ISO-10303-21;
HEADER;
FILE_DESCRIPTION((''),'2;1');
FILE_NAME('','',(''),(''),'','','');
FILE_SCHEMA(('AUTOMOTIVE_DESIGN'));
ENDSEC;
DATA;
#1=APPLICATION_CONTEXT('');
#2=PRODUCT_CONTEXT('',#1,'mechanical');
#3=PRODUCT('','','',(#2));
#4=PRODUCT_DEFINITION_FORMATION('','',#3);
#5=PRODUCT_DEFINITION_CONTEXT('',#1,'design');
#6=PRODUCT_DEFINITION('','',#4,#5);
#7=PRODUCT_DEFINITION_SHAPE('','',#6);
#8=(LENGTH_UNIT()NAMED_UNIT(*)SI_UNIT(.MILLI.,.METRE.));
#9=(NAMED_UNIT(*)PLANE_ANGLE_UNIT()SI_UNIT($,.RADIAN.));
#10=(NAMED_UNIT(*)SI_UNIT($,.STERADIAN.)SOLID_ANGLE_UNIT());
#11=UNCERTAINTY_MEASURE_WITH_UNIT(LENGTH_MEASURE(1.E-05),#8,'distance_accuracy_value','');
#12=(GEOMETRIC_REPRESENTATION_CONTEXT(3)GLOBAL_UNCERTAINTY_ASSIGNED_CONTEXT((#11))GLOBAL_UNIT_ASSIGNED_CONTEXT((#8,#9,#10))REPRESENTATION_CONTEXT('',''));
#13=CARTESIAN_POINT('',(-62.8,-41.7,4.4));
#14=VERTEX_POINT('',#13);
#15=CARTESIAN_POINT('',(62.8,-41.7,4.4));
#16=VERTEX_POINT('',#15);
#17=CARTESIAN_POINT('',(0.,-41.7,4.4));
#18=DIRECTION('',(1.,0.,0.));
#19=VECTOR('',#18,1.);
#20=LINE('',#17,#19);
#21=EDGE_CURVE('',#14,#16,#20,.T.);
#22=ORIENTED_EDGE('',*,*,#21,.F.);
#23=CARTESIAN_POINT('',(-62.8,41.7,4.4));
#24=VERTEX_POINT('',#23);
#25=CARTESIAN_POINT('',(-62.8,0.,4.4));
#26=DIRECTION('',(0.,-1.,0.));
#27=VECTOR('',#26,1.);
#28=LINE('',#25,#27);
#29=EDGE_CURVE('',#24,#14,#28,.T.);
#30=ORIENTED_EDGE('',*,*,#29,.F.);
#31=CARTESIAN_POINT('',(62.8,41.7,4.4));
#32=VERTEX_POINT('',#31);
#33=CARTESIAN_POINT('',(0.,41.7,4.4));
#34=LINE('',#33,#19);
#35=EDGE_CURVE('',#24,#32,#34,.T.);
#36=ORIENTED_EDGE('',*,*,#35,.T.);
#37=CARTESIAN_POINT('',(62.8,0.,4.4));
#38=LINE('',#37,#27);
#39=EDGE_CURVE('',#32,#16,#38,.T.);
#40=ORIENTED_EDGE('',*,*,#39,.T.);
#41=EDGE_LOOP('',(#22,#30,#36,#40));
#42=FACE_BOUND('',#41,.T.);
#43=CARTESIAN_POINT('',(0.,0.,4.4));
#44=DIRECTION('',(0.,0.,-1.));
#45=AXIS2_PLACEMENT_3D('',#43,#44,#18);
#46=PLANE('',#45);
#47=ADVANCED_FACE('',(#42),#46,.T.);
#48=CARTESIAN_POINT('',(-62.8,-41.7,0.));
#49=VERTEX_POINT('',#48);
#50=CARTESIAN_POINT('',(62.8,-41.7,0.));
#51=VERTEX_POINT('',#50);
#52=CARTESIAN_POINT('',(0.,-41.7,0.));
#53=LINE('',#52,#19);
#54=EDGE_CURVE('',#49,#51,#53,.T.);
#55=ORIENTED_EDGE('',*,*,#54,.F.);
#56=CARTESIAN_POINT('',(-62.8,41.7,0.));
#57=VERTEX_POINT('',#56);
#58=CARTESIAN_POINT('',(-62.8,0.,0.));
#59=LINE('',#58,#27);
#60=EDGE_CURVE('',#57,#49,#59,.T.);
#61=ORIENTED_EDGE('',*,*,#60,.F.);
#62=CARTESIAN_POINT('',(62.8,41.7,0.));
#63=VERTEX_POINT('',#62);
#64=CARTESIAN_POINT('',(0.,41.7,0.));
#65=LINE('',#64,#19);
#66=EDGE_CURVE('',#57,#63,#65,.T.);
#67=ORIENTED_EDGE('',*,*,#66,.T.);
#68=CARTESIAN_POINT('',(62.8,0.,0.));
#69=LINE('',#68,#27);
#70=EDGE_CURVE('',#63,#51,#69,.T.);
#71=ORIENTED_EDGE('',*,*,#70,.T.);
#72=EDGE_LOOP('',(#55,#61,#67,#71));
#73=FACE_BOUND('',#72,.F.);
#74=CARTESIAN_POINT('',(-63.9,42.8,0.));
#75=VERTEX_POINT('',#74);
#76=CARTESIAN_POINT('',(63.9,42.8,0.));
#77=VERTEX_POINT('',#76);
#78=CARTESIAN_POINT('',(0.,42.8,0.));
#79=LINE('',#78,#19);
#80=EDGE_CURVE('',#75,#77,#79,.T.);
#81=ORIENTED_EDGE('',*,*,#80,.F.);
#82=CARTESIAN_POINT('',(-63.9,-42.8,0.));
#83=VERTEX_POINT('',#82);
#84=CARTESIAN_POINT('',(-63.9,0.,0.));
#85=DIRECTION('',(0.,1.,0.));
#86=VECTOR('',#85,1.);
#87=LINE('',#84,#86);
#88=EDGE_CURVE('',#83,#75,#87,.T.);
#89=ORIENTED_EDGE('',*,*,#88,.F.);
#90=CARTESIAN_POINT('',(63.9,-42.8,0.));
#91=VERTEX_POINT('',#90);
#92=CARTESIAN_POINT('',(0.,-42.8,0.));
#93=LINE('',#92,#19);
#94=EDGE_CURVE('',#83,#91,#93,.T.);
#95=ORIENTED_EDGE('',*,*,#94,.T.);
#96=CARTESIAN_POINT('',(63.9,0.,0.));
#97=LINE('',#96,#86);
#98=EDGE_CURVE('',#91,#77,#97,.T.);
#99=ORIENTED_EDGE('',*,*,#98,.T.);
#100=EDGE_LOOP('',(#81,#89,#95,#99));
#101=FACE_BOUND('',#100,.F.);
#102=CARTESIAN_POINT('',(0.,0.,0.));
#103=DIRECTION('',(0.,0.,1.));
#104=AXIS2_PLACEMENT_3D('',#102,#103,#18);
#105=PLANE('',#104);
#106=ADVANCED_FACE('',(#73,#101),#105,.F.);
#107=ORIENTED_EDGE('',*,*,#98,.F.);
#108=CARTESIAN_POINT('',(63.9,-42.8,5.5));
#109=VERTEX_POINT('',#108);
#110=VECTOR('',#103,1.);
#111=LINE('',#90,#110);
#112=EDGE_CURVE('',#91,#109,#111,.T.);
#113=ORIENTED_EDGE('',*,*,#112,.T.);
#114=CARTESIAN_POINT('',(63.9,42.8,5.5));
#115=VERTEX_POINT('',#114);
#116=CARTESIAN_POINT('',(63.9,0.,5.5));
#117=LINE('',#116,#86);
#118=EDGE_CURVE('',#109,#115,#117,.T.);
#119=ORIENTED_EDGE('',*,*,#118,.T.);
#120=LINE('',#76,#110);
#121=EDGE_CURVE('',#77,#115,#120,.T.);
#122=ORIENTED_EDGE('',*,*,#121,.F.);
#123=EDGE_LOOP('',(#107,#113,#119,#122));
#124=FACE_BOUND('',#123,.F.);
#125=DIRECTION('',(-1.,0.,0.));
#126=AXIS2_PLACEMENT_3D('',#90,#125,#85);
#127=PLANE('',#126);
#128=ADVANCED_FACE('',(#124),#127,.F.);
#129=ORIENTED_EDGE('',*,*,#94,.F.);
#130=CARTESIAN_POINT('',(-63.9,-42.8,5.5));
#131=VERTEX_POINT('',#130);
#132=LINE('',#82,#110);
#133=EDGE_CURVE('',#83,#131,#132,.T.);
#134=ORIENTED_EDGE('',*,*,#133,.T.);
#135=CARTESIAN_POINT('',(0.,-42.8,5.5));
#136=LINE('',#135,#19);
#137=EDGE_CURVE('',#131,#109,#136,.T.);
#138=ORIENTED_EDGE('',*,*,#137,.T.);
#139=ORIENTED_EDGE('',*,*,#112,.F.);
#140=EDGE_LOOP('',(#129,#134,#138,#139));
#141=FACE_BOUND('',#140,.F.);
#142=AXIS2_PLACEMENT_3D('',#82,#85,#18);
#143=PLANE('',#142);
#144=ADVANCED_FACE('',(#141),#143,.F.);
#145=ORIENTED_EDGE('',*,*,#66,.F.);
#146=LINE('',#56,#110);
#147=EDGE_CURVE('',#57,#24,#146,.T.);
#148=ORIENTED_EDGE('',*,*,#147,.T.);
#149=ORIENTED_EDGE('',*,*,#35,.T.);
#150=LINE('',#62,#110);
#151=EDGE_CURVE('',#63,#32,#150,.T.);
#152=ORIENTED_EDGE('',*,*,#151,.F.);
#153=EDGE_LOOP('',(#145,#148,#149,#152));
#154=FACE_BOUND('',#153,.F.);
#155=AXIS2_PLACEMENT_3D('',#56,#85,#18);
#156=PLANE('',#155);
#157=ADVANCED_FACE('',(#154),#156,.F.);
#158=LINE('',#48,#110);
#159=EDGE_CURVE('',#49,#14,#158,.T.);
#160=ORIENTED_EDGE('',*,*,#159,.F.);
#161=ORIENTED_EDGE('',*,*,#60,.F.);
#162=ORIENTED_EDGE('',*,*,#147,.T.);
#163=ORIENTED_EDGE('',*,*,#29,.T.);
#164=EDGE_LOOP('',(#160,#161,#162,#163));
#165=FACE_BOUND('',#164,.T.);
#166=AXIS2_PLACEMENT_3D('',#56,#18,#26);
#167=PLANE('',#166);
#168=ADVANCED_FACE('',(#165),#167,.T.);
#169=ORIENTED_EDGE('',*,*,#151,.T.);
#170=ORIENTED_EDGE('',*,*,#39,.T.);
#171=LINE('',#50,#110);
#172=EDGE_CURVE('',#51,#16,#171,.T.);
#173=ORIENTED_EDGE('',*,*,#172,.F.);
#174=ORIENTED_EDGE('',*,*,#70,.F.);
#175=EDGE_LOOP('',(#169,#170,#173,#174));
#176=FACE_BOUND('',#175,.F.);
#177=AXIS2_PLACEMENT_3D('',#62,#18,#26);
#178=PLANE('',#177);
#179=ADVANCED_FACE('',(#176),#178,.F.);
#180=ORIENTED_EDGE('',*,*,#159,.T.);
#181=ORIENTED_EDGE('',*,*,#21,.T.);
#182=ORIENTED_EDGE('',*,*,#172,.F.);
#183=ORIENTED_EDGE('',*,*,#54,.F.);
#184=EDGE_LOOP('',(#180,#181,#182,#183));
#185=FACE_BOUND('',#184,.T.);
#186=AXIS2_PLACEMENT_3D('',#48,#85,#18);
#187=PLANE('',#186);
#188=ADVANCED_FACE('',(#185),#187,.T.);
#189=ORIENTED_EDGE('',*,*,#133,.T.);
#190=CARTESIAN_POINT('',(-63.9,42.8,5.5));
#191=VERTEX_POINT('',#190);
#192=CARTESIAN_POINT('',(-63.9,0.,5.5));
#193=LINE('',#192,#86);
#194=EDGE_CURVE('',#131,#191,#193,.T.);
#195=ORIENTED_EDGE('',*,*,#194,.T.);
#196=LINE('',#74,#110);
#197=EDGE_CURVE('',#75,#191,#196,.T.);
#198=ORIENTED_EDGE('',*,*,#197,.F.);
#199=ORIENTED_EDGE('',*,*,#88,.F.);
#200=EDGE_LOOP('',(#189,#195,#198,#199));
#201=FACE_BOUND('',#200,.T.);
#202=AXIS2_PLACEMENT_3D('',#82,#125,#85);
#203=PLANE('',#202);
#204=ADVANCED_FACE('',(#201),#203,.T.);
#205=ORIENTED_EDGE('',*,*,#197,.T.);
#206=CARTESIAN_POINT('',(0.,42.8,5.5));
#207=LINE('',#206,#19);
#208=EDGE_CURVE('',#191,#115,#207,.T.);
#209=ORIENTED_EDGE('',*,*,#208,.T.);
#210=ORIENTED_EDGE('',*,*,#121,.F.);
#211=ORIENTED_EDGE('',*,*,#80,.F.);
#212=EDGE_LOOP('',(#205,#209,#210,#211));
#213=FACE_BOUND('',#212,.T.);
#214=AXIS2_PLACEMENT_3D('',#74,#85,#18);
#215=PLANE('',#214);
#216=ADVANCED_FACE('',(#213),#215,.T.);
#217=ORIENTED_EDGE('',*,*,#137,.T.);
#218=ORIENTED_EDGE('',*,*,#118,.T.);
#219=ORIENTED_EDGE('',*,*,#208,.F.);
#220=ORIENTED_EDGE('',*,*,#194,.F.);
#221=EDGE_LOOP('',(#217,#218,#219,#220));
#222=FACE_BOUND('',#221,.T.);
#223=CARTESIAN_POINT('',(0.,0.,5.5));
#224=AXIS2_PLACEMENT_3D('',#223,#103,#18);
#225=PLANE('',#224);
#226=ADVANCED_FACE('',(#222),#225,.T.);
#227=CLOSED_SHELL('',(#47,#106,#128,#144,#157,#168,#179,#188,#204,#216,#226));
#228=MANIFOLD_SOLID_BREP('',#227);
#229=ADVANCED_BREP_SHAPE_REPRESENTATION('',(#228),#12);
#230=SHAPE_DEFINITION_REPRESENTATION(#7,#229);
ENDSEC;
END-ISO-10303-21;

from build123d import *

# Parameters (mm, degrees)
F0_W     = 127.8
F0_H     = 85.6
F1_DEPTH = 5.5
F2_W     = 125.6
F2_H     = 83.4
F3_DEPTH = 4.4


with BuildPart() as f1:
    # F0 (on Top) → F1 (new body)
    with BuildSketch(Plane.XY):
        Rectangle(F0_W, F0_H)
    extrude(amount=F1_DEPTH)

    # F2 (on face) → F3 (cut)
    with BuildSketch(Plane(origin=(0, 0, 0), x_dir=(1, 0, 0), z_dir=(0, 0, -1))):
        Rectangle(F2_W, F2_H)
    extrude(amount=-F3_DEPTH, mode=Mode.SUBTRACT)


solid = f1.part
